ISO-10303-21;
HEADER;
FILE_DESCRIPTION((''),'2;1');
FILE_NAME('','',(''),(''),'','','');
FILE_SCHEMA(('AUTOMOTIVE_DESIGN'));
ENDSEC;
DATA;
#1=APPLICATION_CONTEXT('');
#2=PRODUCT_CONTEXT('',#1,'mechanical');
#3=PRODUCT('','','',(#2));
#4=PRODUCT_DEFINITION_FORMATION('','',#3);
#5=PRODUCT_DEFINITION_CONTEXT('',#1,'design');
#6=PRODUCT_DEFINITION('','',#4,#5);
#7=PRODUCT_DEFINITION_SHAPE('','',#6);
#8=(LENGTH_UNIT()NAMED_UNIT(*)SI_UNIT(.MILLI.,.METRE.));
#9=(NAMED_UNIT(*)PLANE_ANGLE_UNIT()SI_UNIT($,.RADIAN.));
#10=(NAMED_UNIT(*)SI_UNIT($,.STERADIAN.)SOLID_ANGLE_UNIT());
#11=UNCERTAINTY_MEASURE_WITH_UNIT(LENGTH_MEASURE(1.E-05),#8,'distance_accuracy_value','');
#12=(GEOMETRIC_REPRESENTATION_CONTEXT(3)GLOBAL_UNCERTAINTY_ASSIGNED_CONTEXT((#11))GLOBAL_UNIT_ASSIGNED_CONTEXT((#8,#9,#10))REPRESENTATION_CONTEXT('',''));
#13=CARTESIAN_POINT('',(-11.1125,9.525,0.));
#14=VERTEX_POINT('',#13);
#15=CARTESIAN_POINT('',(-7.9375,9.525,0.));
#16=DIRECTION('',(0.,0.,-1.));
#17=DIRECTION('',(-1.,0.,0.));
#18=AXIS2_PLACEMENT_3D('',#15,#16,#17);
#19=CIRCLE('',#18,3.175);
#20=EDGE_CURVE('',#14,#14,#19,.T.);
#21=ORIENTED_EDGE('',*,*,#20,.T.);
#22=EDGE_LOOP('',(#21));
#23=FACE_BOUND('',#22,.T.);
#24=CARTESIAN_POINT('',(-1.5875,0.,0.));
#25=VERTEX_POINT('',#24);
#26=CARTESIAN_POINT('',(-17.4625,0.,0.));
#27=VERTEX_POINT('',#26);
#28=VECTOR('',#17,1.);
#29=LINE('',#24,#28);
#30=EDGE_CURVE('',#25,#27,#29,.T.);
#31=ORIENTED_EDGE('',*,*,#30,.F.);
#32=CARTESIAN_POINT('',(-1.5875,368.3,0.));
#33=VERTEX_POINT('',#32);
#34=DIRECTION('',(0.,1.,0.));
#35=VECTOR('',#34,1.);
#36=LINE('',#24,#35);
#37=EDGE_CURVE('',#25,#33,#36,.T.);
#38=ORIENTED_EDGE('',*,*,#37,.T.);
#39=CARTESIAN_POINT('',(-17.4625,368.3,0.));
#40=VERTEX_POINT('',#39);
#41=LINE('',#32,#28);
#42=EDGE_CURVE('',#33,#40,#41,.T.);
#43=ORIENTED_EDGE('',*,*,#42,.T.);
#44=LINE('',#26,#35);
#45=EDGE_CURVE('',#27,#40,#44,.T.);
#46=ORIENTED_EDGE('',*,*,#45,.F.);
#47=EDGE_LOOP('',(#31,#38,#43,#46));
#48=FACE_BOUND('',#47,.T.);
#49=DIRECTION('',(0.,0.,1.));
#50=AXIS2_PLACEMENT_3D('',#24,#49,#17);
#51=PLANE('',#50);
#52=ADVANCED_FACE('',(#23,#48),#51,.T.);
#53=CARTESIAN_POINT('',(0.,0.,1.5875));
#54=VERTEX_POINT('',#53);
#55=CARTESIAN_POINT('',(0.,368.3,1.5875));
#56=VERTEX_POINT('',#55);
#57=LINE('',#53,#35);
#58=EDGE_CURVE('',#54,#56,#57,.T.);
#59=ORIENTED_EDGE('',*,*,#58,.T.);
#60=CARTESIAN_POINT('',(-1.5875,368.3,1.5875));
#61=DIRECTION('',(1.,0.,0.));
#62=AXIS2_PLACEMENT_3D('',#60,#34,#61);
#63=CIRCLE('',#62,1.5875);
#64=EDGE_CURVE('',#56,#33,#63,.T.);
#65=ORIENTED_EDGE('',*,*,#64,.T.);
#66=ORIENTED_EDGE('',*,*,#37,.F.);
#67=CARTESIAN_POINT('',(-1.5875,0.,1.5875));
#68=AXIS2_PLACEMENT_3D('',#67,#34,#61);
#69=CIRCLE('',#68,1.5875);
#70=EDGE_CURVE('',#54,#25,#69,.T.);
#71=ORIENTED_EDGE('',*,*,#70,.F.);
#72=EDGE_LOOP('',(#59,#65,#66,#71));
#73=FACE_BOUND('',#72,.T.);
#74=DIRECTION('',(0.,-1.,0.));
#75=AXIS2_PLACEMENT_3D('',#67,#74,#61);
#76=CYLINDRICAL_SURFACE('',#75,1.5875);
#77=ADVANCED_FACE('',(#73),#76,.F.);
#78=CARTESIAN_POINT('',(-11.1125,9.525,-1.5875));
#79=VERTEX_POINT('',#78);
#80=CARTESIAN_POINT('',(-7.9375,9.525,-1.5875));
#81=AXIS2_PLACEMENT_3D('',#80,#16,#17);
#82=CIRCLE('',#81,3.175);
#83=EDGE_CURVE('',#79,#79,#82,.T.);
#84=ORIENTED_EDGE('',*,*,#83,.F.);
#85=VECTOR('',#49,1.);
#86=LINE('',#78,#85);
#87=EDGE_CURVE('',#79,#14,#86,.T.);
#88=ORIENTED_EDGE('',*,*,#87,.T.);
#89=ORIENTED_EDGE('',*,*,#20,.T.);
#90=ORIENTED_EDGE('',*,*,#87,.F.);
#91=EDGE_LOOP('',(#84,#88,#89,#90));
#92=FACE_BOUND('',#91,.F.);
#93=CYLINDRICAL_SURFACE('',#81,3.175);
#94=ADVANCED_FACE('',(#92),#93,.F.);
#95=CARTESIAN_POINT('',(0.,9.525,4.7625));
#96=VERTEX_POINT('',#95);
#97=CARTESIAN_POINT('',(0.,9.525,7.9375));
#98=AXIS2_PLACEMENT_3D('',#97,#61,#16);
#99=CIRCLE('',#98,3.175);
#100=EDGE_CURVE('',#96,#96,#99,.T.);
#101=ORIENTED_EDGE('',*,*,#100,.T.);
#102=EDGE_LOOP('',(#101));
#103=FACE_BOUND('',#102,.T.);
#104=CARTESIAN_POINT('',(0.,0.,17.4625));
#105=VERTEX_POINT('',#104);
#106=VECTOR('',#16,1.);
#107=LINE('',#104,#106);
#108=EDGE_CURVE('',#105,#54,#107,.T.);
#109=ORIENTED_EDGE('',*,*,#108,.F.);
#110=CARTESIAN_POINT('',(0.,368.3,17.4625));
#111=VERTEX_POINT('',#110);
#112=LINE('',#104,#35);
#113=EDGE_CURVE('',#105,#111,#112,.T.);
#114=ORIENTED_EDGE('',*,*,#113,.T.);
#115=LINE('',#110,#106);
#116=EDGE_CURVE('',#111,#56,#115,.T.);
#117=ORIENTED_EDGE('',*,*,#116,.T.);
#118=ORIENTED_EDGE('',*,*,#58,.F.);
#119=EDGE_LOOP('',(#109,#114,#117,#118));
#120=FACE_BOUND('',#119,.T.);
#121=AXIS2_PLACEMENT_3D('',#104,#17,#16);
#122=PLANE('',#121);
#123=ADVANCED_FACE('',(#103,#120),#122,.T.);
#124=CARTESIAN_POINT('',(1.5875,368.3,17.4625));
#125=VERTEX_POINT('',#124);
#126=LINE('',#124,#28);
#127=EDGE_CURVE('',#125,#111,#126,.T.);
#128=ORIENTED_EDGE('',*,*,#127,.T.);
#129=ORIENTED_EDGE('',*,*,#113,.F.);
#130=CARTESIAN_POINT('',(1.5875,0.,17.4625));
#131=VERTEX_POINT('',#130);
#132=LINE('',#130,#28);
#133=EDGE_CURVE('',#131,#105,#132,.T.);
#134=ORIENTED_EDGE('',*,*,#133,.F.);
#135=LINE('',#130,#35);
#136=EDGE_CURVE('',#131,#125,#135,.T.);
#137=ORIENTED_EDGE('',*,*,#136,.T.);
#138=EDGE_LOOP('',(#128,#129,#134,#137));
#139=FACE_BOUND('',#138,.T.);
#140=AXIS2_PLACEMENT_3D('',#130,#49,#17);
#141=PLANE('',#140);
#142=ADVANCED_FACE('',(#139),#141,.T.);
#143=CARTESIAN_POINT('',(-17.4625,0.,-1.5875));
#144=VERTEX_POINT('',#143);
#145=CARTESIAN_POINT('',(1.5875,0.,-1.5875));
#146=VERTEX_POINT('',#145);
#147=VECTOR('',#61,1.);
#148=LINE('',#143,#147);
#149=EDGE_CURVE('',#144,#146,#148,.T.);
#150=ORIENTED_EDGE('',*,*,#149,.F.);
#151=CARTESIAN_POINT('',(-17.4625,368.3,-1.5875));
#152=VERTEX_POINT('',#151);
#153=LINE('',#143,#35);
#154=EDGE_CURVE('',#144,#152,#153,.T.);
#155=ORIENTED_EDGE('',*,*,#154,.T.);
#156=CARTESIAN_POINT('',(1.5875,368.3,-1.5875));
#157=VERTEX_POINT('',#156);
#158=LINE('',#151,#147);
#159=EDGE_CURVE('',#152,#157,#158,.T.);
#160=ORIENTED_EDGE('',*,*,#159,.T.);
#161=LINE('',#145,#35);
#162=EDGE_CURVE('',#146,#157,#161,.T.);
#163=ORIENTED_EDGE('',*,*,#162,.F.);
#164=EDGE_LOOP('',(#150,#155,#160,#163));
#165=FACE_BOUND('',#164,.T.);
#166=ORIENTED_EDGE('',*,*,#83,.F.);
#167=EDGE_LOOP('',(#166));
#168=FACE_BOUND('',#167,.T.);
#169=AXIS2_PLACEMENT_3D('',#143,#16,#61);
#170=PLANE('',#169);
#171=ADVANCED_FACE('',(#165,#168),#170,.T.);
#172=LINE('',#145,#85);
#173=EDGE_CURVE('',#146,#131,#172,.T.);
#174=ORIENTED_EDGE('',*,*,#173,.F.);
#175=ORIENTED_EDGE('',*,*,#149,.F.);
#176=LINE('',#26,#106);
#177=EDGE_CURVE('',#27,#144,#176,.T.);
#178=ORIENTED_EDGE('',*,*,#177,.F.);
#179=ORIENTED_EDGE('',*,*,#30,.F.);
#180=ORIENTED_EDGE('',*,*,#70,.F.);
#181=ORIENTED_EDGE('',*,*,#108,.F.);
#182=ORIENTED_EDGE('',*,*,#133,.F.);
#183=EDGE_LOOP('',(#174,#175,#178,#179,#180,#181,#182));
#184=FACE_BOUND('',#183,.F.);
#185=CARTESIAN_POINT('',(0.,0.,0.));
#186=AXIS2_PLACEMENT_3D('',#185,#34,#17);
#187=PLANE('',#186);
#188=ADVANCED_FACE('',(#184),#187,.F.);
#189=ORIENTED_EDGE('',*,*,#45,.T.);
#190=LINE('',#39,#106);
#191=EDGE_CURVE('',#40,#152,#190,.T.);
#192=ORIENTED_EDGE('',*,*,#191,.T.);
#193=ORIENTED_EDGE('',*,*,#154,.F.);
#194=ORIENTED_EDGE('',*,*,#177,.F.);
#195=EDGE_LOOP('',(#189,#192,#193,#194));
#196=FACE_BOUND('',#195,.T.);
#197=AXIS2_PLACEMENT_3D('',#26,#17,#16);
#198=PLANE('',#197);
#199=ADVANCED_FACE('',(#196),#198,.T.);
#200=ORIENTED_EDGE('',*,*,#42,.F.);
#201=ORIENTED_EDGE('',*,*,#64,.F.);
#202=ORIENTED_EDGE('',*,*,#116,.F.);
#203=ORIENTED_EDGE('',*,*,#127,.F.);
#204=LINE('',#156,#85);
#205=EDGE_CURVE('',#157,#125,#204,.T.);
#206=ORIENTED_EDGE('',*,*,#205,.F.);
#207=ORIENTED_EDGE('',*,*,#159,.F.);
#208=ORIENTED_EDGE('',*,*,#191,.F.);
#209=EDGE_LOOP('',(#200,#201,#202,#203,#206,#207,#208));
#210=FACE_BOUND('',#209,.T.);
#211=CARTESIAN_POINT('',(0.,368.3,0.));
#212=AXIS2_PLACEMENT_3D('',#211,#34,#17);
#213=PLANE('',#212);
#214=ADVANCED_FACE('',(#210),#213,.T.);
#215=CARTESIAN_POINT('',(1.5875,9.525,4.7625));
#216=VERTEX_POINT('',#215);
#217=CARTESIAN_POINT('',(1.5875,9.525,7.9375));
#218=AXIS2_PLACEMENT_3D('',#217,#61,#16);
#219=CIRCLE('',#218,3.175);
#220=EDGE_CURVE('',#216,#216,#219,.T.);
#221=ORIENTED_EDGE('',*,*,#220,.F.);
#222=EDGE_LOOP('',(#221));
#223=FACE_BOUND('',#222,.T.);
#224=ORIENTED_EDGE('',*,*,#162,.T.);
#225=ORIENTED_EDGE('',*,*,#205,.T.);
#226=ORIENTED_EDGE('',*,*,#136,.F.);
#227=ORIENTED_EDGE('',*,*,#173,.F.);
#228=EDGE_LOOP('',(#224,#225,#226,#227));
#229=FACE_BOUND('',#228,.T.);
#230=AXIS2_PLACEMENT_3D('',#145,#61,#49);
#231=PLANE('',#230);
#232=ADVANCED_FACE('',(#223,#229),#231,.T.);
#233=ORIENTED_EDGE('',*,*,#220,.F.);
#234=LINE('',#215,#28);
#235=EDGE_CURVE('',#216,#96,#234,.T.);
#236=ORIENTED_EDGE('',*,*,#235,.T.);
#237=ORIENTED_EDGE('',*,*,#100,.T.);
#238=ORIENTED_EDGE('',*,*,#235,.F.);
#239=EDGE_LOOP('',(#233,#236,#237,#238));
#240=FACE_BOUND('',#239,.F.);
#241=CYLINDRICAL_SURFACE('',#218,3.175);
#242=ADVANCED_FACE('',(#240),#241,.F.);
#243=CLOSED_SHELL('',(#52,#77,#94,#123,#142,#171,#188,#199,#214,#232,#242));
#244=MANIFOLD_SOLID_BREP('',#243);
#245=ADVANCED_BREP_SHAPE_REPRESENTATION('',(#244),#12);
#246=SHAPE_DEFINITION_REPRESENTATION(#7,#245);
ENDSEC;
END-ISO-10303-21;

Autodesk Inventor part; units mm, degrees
ref_plane "YZ Plane" through (0, 0, 0) normal (1, 0, 0) x (0, 1, 0)
ref_plane "XZ Plane" through (0, 0, 0) normal (0, 1, 0) x (-1, 0, 0)
ref_plane "XY Plane" through (0, 0, 0) normal (0, 0, 1) x (1, 0, 0)
sketch "Sketch1" plane through (0, 0, 0) normal (0, 1, 0) x (-1, 0, 0)
  line L0 (0, 17.4625) -> (0, 1.5875)
  line L1 (1.5875, 0) -> (17.4625, 0)
  line L2 (17.4625, 0) -> (17.4625, -1.5875)
  line L3 (17.4625, -1.5875) -> (-1.5875, -1.5875)
  line L4 (-1.5875, -1.5875) -> (-1.5875, 17.4625)
  line L5 (-1.5875, 17.4625) -> (0, 17.4625)
  arc A0 (0, 1.5875) -> (1.5875, 0) centre (1.5875, 1.5875) ccw
  point P0 (0, 0)
  dimension "d0" = 1.5875
  dimension "d1" = 19.05
  dimension "d2" = 1.5875
extrude "Extrusion1" add sketch "Sketch1" along normal blind 368.3
sketch "Sketch2" plane through (1.5875, 0, -1.5875) normal (0, 0, -1) x (-1, 0, 0)
  line L0 (19.05, 0) -> (0, 0) construction
  line L1 (9.525, 0) -> (9.525, 443.5725) construction
  circle A0 centre (9.525, 9.525) radius 3.175
  point P0 (1.5875, 0)
  dimension "d5" = 6.35
  dimension "d6" = 9.525
extrude "Extrusion2" cut sketch "Sketch2" against normal through all
sketch "Sketch3" plane through (1.5875, 0, 17.4625) normal (1, 0, 0) x (0, 0, -1)
  line L0 (19.05, 0) -> (0, 0) construction
  line L1 (9.525, 0) -> (9.525, 23.4407) construction
  circle A0 centre (9.525, 9.525) radius 3.175
  point P0 (17.4625, 0)
  dimension "d9" = 6.35
  dimension "d10" = 9.525
extrude "Extrusion3" cut sketch "Sketch3" against normal through all
properties part number "Long Wall Support" material "Aluminum 6061"
